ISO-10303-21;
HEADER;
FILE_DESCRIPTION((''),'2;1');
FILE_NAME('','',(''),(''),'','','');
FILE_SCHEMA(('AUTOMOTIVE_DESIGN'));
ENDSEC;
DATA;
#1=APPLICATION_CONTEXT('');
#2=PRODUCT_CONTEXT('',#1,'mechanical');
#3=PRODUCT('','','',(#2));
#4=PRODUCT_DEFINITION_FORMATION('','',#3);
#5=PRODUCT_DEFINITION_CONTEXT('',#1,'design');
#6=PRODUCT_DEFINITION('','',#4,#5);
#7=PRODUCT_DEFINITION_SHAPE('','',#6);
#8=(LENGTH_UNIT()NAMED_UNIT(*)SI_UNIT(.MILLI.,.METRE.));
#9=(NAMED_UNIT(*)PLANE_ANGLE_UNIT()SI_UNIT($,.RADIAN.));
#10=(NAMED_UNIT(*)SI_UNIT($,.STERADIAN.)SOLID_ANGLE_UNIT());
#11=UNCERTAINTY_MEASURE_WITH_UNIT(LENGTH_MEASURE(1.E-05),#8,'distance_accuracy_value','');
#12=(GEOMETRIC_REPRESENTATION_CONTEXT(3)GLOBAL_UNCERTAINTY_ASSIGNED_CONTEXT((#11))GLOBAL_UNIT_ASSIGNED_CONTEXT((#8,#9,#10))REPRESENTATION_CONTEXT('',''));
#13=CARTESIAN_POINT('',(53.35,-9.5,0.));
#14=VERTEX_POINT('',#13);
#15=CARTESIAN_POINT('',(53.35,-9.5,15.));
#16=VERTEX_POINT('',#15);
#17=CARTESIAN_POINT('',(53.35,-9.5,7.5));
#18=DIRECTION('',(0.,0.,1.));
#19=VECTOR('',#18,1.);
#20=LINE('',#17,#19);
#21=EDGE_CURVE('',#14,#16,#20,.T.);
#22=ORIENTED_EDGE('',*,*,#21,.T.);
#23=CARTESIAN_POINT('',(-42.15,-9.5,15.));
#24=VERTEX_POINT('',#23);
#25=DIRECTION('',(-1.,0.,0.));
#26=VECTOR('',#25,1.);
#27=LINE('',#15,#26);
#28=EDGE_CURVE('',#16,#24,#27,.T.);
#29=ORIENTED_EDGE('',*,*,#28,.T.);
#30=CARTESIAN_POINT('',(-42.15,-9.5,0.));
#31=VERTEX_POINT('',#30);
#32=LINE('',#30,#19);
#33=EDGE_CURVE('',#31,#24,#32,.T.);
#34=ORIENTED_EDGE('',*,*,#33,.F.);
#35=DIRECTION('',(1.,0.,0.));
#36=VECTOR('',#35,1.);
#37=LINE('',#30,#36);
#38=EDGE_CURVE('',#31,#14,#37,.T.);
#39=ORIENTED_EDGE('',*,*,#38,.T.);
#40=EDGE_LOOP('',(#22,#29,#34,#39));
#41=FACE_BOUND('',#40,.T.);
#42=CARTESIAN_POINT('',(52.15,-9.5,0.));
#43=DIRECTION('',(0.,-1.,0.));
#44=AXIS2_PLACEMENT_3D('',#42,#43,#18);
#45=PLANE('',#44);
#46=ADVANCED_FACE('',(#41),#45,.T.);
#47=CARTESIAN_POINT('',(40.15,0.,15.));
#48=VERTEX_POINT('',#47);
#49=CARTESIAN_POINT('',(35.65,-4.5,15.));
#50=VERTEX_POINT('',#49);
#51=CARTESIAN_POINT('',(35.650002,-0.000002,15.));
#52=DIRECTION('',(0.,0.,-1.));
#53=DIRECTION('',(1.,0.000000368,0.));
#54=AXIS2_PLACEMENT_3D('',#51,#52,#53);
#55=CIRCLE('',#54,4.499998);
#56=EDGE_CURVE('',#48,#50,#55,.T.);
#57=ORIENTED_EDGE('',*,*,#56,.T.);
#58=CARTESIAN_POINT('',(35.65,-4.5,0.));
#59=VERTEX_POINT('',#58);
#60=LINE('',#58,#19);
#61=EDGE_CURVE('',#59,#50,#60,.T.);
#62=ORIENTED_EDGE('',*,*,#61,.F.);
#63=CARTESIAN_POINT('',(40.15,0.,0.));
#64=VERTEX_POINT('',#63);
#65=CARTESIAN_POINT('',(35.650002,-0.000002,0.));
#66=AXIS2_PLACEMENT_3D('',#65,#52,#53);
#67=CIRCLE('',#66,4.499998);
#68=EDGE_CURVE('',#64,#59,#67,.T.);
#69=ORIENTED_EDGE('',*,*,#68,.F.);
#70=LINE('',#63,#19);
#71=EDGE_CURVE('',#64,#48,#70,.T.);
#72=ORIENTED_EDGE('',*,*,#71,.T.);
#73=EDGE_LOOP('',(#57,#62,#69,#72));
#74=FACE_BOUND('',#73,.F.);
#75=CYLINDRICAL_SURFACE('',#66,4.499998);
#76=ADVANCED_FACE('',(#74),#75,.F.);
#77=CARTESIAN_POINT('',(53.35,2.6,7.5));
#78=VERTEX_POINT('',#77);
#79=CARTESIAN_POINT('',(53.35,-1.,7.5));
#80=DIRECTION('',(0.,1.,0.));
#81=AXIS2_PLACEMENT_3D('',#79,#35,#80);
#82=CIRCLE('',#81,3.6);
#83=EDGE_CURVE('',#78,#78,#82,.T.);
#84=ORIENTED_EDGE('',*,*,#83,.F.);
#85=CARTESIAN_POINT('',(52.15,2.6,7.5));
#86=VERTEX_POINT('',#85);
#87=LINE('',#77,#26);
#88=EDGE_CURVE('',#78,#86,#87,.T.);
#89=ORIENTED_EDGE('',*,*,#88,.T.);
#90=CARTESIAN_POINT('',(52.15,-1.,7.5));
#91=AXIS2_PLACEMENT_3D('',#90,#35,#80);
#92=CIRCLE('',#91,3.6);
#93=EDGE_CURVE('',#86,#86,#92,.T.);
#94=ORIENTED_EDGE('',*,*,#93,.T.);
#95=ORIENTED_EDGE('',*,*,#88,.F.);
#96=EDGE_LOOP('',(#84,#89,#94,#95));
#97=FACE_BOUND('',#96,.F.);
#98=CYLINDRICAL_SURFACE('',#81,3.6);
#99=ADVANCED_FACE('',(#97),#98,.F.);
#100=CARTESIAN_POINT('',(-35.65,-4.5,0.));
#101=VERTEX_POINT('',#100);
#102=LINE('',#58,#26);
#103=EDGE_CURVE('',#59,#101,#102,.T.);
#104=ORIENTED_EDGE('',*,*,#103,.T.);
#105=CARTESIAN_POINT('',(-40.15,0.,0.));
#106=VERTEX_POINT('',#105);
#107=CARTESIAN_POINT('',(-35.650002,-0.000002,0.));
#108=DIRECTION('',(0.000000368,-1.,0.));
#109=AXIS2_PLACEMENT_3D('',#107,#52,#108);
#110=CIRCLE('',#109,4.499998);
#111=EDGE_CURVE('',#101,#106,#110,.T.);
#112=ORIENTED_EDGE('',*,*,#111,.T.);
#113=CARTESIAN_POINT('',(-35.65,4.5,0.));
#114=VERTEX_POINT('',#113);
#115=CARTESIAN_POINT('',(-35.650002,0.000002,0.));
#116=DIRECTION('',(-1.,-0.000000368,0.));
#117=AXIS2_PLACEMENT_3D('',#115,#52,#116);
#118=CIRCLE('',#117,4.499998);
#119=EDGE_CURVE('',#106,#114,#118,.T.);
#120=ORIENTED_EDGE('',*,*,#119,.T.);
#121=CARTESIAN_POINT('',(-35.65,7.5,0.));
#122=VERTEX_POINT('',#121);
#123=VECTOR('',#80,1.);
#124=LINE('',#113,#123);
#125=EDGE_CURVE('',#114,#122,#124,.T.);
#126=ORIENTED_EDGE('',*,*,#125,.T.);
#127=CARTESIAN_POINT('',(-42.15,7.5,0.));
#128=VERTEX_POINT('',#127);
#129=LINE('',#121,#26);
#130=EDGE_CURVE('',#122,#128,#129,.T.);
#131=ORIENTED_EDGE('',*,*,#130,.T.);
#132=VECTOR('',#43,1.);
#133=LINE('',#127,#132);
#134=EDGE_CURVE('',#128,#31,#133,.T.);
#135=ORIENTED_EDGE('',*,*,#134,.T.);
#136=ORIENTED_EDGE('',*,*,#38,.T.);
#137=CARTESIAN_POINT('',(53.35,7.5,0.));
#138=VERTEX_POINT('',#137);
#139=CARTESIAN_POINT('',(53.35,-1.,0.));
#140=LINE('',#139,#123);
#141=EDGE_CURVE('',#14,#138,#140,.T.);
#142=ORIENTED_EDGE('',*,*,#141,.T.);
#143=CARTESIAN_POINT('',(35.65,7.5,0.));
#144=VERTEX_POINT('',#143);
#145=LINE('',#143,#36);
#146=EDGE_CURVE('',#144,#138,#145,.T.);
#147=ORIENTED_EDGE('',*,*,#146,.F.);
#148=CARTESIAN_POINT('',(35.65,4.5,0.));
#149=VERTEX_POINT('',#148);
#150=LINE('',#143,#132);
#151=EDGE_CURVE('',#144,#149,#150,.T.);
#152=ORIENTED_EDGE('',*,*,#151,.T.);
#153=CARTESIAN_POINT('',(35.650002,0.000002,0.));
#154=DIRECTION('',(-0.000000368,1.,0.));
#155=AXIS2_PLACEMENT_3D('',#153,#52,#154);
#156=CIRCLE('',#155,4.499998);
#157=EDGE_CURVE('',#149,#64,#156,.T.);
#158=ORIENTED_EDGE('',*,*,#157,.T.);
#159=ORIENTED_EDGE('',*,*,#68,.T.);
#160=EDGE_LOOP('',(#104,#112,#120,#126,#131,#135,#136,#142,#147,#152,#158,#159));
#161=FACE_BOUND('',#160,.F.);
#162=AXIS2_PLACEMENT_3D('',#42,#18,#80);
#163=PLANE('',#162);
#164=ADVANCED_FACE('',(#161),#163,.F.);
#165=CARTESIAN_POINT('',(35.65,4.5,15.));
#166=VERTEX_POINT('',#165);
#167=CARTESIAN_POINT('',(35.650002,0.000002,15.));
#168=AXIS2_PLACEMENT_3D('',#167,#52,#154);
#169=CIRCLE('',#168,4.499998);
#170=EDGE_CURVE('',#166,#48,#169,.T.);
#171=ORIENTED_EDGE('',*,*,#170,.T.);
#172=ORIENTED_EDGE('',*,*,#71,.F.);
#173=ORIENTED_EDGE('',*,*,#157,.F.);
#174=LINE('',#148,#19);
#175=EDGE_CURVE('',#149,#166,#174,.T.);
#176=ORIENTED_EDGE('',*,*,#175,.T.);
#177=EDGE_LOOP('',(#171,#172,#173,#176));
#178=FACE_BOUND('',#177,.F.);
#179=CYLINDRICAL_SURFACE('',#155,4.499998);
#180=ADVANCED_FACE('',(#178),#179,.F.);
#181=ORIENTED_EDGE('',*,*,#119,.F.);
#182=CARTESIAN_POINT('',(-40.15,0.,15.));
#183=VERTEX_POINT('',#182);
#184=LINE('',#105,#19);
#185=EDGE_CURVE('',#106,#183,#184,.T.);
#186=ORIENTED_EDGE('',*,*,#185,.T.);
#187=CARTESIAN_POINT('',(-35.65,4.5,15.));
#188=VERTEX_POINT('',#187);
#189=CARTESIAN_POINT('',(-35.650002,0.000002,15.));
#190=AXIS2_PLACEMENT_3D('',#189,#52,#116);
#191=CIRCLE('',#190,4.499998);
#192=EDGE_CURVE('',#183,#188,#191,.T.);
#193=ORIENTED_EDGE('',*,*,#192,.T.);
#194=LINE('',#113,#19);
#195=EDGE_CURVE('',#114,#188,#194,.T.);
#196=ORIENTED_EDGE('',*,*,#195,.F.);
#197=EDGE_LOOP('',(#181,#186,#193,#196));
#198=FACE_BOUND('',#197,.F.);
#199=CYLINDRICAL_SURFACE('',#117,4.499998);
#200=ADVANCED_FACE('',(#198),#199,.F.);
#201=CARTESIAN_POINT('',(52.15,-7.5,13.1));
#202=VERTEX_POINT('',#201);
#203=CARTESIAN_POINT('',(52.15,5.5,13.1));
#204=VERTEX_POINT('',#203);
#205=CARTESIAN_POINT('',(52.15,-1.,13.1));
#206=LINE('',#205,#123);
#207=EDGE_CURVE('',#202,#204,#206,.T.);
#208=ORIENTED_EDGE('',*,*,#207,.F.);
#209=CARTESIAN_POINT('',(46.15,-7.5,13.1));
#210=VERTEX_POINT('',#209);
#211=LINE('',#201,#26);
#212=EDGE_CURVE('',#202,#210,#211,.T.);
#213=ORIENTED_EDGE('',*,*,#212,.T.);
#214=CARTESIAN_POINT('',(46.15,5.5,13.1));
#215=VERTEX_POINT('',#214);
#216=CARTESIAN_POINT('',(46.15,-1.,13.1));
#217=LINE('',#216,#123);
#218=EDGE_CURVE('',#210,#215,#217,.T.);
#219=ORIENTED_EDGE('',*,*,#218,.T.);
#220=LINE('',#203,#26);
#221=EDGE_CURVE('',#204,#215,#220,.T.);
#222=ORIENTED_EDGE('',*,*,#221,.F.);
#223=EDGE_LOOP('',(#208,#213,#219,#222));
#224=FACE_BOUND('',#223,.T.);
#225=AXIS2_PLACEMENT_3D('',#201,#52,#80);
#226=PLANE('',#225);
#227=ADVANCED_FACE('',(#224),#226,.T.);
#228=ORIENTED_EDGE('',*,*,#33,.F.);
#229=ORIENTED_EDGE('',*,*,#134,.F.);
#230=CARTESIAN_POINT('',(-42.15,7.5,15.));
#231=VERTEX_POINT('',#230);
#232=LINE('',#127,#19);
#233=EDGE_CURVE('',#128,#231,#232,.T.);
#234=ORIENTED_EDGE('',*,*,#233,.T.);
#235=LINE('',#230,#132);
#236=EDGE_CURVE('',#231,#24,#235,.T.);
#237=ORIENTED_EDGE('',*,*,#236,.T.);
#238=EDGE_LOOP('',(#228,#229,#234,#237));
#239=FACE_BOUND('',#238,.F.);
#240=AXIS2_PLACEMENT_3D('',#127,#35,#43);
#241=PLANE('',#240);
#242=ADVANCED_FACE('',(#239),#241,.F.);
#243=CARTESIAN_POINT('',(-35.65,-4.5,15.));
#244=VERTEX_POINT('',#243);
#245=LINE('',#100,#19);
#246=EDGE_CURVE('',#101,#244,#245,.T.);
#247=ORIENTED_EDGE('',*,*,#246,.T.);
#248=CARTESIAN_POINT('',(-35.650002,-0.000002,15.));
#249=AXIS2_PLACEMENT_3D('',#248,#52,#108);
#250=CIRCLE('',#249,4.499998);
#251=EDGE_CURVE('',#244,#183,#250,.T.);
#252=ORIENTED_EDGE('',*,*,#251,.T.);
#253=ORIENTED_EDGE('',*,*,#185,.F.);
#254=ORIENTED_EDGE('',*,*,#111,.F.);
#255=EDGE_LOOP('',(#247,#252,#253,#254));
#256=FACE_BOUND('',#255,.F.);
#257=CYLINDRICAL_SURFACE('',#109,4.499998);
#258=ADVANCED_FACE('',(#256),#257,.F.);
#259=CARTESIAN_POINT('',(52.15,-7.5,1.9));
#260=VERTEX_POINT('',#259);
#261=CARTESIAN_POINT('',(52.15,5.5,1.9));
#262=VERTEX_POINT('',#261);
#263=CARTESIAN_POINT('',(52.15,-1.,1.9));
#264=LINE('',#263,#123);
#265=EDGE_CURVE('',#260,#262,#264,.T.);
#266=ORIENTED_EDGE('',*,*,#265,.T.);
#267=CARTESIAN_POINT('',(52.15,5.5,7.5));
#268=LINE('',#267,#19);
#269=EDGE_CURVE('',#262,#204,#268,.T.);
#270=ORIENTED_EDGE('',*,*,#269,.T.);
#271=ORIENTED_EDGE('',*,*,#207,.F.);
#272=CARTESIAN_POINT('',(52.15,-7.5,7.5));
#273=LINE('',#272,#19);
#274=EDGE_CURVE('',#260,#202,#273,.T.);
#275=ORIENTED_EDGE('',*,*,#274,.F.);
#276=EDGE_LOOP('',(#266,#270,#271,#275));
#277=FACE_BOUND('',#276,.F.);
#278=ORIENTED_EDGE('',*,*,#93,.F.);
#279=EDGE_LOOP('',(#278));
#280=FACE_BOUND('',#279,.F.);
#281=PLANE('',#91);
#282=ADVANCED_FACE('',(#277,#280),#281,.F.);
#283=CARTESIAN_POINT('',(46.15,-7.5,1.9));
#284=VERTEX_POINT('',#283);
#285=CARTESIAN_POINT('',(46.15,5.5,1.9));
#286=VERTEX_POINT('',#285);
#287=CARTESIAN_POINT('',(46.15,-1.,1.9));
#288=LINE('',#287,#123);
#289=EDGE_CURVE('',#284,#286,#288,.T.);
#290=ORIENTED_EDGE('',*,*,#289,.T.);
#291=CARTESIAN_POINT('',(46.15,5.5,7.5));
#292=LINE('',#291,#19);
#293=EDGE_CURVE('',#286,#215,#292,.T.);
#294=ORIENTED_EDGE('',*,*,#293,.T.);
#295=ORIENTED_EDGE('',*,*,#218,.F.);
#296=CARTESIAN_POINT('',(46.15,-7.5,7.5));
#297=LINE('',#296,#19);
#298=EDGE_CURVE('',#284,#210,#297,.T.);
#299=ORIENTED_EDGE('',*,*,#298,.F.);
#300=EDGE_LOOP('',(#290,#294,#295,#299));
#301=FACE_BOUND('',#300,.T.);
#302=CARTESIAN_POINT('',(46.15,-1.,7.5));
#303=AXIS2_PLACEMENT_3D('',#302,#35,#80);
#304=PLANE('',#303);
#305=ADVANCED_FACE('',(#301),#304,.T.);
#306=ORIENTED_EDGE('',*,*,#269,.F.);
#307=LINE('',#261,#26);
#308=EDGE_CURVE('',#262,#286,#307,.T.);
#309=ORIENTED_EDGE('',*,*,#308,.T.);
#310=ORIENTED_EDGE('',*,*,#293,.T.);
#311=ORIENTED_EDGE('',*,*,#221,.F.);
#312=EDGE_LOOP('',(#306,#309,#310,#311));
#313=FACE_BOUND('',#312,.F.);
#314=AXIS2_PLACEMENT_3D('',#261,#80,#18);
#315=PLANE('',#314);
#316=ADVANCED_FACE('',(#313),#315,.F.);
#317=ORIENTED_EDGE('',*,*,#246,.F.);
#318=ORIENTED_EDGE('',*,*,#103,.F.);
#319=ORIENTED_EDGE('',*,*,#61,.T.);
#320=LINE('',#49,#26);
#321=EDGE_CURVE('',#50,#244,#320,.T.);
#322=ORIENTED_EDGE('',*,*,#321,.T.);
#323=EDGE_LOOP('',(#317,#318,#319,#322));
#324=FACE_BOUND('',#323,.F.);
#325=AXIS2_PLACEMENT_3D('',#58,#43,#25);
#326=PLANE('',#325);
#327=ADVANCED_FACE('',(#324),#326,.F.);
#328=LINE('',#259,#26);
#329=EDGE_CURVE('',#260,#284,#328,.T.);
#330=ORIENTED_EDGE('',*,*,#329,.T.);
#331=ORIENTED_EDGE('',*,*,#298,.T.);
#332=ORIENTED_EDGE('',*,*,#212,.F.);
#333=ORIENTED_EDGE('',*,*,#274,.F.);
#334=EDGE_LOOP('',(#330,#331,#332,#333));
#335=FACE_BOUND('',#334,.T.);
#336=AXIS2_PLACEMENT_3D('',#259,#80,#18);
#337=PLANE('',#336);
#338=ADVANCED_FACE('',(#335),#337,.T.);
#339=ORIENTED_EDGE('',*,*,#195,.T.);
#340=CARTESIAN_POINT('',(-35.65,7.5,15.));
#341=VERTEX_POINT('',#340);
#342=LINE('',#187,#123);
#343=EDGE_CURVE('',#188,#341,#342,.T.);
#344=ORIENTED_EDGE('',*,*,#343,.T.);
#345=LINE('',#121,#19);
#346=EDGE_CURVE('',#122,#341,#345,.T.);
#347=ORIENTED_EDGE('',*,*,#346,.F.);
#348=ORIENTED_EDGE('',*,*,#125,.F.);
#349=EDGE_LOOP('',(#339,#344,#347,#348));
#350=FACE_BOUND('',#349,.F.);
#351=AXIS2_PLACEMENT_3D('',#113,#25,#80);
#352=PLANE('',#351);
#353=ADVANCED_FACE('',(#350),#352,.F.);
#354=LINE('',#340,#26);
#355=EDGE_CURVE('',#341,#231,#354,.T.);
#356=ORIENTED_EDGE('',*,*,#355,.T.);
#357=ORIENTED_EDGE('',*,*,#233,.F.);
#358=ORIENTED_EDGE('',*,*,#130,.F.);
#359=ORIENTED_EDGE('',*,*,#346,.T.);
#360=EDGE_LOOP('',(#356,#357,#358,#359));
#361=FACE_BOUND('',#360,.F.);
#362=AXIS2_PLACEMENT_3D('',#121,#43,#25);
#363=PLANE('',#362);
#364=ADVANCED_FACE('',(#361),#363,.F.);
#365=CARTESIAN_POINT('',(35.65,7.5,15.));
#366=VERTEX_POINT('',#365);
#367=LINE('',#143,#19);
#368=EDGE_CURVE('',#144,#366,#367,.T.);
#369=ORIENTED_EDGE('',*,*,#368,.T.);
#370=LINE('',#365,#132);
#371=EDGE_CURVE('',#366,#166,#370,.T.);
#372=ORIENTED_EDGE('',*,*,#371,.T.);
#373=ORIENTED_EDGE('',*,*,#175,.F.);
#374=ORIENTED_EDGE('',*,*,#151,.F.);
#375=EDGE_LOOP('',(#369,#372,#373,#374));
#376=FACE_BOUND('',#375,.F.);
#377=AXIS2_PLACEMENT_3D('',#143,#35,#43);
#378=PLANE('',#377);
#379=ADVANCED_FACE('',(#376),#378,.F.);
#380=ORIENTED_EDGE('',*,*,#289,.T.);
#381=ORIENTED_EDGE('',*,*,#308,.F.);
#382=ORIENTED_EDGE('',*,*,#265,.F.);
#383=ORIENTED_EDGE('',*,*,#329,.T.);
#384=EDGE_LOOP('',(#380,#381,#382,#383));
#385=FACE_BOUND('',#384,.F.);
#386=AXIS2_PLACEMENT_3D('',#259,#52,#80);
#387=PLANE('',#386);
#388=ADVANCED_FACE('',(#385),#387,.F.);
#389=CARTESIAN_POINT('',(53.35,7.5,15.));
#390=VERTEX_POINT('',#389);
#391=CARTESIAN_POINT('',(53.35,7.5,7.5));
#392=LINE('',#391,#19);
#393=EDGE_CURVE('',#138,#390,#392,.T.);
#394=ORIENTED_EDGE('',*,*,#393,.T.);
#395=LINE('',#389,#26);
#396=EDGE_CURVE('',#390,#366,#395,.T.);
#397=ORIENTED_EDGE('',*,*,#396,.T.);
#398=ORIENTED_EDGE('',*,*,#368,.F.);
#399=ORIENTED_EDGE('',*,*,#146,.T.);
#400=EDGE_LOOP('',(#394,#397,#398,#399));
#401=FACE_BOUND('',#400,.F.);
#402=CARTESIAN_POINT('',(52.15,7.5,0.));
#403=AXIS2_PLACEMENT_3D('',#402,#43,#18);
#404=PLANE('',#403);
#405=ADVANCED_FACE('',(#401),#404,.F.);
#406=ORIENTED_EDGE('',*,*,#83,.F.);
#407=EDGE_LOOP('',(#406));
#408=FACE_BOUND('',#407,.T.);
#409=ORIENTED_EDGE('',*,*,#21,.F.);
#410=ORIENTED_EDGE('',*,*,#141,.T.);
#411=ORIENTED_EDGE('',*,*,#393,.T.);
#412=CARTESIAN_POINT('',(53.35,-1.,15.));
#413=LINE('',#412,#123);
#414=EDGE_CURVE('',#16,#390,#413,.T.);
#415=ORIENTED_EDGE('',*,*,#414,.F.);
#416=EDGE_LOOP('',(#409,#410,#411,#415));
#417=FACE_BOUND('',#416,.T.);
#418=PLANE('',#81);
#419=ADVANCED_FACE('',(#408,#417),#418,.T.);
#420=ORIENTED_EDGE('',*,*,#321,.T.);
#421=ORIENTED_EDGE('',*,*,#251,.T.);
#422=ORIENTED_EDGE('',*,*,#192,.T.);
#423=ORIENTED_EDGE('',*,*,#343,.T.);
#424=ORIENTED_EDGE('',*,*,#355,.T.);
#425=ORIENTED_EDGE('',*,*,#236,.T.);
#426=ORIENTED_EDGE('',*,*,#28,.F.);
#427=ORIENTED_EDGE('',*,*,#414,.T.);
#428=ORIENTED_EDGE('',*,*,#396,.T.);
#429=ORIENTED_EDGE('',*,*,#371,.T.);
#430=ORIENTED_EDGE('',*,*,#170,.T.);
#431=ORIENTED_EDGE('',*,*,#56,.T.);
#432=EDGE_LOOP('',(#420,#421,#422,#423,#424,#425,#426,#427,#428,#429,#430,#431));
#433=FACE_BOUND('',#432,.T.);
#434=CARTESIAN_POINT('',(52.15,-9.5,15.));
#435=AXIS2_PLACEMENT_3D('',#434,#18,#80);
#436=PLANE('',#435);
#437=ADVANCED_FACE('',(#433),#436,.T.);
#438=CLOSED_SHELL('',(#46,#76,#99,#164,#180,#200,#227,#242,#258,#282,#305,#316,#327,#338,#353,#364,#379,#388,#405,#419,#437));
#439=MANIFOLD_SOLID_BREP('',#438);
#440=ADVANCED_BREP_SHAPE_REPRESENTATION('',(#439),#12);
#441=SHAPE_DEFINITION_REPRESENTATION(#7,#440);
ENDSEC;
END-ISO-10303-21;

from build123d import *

# Parameters (mm, degrees)
F1_DEPTH = 15
F2_W     = 13
F2_H     = 11.2
F3_DEPTH = 6
F4_W     = 17
F4_H     = 15
F5_DEPTH = 1.2
F6_R     = 3.6
F7_DEPTH = 2


with BuildPart() as f1:
    # F0 (on Top) → F1 (new body)
    with BuildSketch(Plane.XY):
        with BuildLine():
            ThreePointArc((40.15, 0), (38.831981, -3.181981), (35.65, -4.5))
            Line((35.65, -4.5), (-35.65, -4.5))
            ThreePointArc((-35.65, -4.5), (-38.831981, -3.181981), (-40.15, 0))
            ThreePointArc((-40.15, 0), (-38.831981, 3.181981), (-35.65, 4.5))
            Line((-35.65, 4.5), (-35.65, 7.5))
            Line((-35.65, 7.5), (-42.15, 7.5))
            Line((-42.15, 7.5), (-42.15, -9.5))
            Line((-42.15, -9.5), (52.15, -9.5))
            Line((52.15, -9.5), (52.15, 7.5))
            Line((52.15, 7.5), (35.65, 7.5))
            Line((35.65, 7.5), (35.65, 4.5))
            ThreePointArc((35.65, 4.5), (38.831981, 3.181981), (40.15, 0))
        make_face()
    extrude(amount=F1_DEPTH)

    # F2 (on face) → F3 (cut)
    with BuildSketch(Plane.YZ.offset(52.15)):
        with Locations((-1, 7.5)):
            Rectangle(F2_W, F2_H)
    extrude(amount=-F3_DEPTH, mode=Mode.SUBTRACT)

    # F4 (on face) → F5 (join)
    with BuildSketch(Plane.YZ.offset(52.15)):
        with Locations((-1, 7.5)):
            Rectangle(F4_W, F4_H)
    extrude(amount=F5_DEPTH)

    # F6 (on face) → F7 (cut)
    with BuildSketch(Plane.YZ.offset(53.35)):
        with Locations((-1, 7.5)):
            Circle(F6_R)
    extrude(amount=-F7_DEPTH, mode=Mode.SUBTRACT)


solid = f1.part
